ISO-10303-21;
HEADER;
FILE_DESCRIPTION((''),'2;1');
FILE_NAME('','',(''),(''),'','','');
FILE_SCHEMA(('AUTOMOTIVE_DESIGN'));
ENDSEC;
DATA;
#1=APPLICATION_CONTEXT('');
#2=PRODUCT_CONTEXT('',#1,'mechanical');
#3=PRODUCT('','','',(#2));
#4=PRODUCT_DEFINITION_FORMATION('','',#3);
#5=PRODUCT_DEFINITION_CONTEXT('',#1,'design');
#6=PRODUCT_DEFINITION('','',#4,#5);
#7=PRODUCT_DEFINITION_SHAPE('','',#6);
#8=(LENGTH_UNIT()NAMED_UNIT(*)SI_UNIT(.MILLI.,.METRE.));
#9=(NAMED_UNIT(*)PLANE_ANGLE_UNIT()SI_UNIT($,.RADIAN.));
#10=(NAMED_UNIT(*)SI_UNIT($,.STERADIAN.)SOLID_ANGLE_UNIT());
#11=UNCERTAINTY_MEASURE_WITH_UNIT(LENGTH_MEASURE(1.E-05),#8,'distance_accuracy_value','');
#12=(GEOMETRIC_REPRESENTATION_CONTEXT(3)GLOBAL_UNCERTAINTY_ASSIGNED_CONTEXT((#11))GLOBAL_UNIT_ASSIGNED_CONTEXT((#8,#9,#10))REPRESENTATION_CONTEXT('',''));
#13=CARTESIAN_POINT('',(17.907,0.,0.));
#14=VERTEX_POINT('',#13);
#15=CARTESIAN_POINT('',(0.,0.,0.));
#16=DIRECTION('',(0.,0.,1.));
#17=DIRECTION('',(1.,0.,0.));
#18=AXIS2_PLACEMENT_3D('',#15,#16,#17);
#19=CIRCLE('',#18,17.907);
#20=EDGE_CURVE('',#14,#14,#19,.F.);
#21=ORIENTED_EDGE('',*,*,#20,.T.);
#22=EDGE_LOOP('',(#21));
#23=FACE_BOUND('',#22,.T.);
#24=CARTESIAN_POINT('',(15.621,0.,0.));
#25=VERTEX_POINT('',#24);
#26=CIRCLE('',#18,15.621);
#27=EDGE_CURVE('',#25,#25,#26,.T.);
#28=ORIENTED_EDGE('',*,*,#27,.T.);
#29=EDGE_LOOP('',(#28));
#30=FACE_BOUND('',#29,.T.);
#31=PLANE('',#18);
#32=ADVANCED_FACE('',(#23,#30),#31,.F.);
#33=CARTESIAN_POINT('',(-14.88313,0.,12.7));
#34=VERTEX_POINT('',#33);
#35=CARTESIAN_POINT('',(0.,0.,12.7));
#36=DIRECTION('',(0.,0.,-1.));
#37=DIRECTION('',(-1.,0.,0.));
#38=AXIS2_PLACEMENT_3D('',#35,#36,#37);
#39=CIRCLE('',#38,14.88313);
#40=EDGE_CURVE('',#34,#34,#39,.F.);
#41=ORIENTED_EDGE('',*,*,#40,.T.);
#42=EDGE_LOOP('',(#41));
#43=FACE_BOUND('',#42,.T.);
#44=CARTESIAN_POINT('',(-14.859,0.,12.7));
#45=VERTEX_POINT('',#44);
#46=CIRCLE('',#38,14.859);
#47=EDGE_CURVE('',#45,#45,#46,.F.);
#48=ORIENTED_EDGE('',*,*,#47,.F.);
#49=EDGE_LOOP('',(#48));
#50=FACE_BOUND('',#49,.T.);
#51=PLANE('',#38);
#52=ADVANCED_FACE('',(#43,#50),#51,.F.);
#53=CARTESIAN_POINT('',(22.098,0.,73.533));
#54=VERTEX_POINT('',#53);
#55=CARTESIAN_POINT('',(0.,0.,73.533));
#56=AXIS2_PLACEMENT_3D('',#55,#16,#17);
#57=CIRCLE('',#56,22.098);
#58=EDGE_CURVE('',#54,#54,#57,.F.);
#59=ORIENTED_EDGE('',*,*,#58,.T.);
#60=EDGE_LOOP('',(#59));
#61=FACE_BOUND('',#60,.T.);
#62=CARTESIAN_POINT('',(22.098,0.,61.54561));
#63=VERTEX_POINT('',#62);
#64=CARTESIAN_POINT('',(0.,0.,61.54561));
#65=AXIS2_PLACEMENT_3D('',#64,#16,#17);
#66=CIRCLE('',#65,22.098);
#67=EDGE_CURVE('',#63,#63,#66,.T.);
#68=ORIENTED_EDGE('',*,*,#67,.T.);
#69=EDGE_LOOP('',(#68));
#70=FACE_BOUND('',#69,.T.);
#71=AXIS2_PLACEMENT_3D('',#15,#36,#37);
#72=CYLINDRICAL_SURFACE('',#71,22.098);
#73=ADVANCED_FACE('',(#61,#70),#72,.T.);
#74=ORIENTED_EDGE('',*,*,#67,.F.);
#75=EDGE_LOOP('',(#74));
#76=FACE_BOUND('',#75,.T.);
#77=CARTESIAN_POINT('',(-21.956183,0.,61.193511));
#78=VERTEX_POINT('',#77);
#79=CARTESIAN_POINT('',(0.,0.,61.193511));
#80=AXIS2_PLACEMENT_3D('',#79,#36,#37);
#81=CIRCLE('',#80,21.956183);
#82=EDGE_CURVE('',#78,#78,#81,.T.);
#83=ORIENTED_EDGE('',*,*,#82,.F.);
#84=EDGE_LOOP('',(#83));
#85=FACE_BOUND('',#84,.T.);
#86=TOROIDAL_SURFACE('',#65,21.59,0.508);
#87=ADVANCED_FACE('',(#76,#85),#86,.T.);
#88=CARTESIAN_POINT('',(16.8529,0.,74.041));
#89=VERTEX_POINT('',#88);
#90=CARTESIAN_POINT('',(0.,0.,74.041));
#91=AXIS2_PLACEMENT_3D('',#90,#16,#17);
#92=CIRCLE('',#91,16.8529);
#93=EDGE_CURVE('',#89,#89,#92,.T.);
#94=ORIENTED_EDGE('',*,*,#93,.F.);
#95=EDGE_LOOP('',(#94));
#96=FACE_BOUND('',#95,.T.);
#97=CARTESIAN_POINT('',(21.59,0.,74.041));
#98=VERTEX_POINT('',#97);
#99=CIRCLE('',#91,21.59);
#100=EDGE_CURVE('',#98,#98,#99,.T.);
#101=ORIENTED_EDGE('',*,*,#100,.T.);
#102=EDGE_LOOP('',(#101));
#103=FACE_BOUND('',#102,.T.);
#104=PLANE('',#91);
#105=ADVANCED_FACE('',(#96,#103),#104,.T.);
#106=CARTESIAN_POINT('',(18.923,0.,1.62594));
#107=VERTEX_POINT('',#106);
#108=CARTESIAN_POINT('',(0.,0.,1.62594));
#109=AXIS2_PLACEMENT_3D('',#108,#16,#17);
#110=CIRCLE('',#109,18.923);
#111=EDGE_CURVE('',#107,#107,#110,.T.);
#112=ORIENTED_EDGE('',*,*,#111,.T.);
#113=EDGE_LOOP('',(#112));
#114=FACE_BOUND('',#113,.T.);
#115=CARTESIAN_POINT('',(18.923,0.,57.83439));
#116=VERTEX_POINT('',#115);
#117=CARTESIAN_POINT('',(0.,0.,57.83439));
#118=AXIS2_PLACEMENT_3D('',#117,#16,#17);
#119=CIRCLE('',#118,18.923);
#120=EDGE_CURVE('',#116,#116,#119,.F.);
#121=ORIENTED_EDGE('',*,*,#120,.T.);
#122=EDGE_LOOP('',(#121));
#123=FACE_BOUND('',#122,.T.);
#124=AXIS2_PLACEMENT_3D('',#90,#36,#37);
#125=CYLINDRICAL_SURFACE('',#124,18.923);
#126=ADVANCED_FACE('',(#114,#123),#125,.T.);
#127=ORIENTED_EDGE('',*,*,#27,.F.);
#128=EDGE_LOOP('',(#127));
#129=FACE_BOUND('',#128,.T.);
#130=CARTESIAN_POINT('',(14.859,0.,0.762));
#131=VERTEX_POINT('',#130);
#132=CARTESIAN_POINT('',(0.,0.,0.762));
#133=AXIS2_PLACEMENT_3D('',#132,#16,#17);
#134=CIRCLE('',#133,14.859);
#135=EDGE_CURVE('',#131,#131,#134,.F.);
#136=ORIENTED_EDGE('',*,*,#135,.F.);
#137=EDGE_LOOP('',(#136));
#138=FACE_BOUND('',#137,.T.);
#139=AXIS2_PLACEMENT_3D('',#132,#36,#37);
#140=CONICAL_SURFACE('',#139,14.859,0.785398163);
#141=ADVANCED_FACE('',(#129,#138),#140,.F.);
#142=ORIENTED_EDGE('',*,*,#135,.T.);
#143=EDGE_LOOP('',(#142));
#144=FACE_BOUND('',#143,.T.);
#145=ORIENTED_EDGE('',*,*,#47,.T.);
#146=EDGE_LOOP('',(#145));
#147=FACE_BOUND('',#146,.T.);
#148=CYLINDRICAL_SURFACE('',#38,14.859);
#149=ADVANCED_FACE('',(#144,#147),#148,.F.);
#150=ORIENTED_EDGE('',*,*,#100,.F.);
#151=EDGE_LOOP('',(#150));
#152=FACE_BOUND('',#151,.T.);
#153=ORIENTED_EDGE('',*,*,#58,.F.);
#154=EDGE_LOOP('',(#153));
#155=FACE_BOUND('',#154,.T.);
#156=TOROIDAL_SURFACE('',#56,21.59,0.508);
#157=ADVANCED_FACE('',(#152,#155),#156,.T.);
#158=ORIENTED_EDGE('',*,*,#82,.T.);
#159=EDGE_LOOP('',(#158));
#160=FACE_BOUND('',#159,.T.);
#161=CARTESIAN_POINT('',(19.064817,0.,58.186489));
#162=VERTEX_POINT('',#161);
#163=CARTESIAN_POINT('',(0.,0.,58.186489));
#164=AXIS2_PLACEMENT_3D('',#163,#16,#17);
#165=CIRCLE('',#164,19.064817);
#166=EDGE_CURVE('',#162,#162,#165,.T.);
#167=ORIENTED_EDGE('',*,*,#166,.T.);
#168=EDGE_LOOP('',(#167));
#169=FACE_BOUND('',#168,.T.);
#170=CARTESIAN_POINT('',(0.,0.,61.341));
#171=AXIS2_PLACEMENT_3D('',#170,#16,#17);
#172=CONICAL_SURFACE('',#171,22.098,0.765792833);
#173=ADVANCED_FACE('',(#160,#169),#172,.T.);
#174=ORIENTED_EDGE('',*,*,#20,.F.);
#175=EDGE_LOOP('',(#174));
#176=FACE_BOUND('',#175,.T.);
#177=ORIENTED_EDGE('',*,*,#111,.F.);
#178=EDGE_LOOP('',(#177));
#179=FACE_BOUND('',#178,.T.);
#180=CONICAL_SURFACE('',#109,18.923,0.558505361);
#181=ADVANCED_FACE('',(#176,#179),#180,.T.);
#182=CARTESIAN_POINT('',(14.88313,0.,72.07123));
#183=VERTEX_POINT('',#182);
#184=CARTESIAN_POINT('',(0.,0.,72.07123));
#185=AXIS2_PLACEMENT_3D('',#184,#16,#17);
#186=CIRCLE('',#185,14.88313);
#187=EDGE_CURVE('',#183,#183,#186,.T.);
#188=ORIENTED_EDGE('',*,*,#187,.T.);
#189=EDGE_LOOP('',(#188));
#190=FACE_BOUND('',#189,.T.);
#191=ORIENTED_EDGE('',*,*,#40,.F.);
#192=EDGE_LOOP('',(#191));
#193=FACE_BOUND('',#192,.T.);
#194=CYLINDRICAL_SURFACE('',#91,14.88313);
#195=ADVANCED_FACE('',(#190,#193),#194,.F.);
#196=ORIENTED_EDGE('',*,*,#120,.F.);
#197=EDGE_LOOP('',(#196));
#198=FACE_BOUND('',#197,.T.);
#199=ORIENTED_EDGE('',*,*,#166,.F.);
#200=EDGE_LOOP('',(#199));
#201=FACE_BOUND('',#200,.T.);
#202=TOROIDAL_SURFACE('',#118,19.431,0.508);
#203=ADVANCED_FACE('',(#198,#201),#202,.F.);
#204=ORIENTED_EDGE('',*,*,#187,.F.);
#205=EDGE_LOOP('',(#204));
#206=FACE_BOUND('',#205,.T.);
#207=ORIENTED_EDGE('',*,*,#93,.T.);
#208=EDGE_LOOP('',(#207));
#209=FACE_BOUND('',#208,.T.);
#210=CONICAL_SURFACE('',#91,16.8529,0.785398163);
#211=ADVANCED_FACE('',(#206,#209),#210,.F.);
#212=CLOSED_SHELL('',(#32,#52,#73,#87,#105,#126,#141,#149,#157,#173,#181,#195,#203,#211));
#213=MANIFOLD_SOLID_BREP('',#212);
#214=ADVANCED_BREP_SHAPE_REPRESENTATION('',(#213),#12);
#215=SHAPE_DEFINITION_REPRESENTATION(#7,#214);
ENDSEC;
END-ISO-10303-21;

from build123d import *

# Parameters (mm, degrees)
SKETCH1_R                           = 18.923
BOSS_EXTRUDE1_DEPTH                 = 74.041
FILLET1_R                           = 0.508
CHAMFER1_SIZE                       = 1.016
CHAMFER1_SIZE2                      = 1.625939882
SKETCH4_R                           = 14.859
CUT_EXTRUDE1_DEPTH                  = 12.7
CHAMFER2_SIZE                       = 0.762
F_1_1_4_12_TAPPED_HOLE1_D           = 29.76626
F_1_1_4_12_TAPPED_HOLE1_DEPTH       = 61.341
F_1_1_4_12_TAPPED_HOLE1_CSINK_D     = 33.7058
F_1_1_4_12_TAPPED_HOLE1_CSINK_ANGLE = 90


with BuildPart() as part:
    # Sketch1 → Boss-Extrude1 (new body)
    with BuildSketch(Plane.XY):
        Circle(SKETCH1_R)
    extrude(amount=BOSS_EXTRUDE1_DEPTH)

    # Sketch3 → Revolve1 (revolve)
    with BuildSketch(Plane(origin=(0, 0, 0), x_dir=(1, 0, 0), z_dir=(0, 1, 0))):
        Polygon((0, -74.041), (22.098, -74.041), (22.098, -61.341), (18.923, -58.039), (0, -58.039), align=None)
    revolve(axis=Axis((0, 0, 0), (0, 0, 1)))

    # Fillet1
    fillet1_edges = [part.edges().sort_by_distance(p)[0] for p in [
        (-18.923, 0, 58.039),
        (-22.098, 0, 74.041),
        (-22.098, 0, 61.341),
    ]]
    fillet(fillet1_edges, radius=FILLET1_R)

    # Chamfer1
    chamfer1_edges = [part.edges().sort_by_distance(p)[0] for p in [
        (-18.923, 0, 0),
    ]]
    chamfer1_side = [part.faces().sort_by_distance(p)[0] for p in [
        (0, 0, 0),
    ]]
    chamfer(chamfer1_edges, length=CHAMFER1_SIZE, length2=CHAMFER1_SIZE2, reference=chamfer1_side[0])

    # Sketch4 → Cut-Extrude1 (cut)
    with BuildSketch(Plane(origin=(0, 0, 0), x_dir=(-1, 0, 0), z_dir=(0, 0, -1))):
        Circle(SKETCH4_R)
    extrude(amount=-CUT_EXTRUDE1_DEPTH, mode=Mode.SUBTRACT)

    # Chamfer2
    chamfer2_edges = [part.edges().sort_by_distance(p)[0] for p in [
        (14.859, 0, 0),
    ]]
    chamfer(chamfer2_edges, length=CHAMFER2_SIZE)

    # 1-1/4-12 Tapped Hole1
    with Locations(Plane.XY.offset(74.041)):
        with Locations((0, 0)):
            CounterSinkHole(F_1_1_4_12_TAPPED_HOLE1_D / 2, F_1_1_4_12_TAPPED_HOLE1_CSINK_D / 2, depth=F_1_1_4_12_TAPPED_HOLE1_DEPTH, counter_sink_angle=F_1_1_4_12_TAPPED_HOLE1_CSINK_ANGLE)


solid = part.part
